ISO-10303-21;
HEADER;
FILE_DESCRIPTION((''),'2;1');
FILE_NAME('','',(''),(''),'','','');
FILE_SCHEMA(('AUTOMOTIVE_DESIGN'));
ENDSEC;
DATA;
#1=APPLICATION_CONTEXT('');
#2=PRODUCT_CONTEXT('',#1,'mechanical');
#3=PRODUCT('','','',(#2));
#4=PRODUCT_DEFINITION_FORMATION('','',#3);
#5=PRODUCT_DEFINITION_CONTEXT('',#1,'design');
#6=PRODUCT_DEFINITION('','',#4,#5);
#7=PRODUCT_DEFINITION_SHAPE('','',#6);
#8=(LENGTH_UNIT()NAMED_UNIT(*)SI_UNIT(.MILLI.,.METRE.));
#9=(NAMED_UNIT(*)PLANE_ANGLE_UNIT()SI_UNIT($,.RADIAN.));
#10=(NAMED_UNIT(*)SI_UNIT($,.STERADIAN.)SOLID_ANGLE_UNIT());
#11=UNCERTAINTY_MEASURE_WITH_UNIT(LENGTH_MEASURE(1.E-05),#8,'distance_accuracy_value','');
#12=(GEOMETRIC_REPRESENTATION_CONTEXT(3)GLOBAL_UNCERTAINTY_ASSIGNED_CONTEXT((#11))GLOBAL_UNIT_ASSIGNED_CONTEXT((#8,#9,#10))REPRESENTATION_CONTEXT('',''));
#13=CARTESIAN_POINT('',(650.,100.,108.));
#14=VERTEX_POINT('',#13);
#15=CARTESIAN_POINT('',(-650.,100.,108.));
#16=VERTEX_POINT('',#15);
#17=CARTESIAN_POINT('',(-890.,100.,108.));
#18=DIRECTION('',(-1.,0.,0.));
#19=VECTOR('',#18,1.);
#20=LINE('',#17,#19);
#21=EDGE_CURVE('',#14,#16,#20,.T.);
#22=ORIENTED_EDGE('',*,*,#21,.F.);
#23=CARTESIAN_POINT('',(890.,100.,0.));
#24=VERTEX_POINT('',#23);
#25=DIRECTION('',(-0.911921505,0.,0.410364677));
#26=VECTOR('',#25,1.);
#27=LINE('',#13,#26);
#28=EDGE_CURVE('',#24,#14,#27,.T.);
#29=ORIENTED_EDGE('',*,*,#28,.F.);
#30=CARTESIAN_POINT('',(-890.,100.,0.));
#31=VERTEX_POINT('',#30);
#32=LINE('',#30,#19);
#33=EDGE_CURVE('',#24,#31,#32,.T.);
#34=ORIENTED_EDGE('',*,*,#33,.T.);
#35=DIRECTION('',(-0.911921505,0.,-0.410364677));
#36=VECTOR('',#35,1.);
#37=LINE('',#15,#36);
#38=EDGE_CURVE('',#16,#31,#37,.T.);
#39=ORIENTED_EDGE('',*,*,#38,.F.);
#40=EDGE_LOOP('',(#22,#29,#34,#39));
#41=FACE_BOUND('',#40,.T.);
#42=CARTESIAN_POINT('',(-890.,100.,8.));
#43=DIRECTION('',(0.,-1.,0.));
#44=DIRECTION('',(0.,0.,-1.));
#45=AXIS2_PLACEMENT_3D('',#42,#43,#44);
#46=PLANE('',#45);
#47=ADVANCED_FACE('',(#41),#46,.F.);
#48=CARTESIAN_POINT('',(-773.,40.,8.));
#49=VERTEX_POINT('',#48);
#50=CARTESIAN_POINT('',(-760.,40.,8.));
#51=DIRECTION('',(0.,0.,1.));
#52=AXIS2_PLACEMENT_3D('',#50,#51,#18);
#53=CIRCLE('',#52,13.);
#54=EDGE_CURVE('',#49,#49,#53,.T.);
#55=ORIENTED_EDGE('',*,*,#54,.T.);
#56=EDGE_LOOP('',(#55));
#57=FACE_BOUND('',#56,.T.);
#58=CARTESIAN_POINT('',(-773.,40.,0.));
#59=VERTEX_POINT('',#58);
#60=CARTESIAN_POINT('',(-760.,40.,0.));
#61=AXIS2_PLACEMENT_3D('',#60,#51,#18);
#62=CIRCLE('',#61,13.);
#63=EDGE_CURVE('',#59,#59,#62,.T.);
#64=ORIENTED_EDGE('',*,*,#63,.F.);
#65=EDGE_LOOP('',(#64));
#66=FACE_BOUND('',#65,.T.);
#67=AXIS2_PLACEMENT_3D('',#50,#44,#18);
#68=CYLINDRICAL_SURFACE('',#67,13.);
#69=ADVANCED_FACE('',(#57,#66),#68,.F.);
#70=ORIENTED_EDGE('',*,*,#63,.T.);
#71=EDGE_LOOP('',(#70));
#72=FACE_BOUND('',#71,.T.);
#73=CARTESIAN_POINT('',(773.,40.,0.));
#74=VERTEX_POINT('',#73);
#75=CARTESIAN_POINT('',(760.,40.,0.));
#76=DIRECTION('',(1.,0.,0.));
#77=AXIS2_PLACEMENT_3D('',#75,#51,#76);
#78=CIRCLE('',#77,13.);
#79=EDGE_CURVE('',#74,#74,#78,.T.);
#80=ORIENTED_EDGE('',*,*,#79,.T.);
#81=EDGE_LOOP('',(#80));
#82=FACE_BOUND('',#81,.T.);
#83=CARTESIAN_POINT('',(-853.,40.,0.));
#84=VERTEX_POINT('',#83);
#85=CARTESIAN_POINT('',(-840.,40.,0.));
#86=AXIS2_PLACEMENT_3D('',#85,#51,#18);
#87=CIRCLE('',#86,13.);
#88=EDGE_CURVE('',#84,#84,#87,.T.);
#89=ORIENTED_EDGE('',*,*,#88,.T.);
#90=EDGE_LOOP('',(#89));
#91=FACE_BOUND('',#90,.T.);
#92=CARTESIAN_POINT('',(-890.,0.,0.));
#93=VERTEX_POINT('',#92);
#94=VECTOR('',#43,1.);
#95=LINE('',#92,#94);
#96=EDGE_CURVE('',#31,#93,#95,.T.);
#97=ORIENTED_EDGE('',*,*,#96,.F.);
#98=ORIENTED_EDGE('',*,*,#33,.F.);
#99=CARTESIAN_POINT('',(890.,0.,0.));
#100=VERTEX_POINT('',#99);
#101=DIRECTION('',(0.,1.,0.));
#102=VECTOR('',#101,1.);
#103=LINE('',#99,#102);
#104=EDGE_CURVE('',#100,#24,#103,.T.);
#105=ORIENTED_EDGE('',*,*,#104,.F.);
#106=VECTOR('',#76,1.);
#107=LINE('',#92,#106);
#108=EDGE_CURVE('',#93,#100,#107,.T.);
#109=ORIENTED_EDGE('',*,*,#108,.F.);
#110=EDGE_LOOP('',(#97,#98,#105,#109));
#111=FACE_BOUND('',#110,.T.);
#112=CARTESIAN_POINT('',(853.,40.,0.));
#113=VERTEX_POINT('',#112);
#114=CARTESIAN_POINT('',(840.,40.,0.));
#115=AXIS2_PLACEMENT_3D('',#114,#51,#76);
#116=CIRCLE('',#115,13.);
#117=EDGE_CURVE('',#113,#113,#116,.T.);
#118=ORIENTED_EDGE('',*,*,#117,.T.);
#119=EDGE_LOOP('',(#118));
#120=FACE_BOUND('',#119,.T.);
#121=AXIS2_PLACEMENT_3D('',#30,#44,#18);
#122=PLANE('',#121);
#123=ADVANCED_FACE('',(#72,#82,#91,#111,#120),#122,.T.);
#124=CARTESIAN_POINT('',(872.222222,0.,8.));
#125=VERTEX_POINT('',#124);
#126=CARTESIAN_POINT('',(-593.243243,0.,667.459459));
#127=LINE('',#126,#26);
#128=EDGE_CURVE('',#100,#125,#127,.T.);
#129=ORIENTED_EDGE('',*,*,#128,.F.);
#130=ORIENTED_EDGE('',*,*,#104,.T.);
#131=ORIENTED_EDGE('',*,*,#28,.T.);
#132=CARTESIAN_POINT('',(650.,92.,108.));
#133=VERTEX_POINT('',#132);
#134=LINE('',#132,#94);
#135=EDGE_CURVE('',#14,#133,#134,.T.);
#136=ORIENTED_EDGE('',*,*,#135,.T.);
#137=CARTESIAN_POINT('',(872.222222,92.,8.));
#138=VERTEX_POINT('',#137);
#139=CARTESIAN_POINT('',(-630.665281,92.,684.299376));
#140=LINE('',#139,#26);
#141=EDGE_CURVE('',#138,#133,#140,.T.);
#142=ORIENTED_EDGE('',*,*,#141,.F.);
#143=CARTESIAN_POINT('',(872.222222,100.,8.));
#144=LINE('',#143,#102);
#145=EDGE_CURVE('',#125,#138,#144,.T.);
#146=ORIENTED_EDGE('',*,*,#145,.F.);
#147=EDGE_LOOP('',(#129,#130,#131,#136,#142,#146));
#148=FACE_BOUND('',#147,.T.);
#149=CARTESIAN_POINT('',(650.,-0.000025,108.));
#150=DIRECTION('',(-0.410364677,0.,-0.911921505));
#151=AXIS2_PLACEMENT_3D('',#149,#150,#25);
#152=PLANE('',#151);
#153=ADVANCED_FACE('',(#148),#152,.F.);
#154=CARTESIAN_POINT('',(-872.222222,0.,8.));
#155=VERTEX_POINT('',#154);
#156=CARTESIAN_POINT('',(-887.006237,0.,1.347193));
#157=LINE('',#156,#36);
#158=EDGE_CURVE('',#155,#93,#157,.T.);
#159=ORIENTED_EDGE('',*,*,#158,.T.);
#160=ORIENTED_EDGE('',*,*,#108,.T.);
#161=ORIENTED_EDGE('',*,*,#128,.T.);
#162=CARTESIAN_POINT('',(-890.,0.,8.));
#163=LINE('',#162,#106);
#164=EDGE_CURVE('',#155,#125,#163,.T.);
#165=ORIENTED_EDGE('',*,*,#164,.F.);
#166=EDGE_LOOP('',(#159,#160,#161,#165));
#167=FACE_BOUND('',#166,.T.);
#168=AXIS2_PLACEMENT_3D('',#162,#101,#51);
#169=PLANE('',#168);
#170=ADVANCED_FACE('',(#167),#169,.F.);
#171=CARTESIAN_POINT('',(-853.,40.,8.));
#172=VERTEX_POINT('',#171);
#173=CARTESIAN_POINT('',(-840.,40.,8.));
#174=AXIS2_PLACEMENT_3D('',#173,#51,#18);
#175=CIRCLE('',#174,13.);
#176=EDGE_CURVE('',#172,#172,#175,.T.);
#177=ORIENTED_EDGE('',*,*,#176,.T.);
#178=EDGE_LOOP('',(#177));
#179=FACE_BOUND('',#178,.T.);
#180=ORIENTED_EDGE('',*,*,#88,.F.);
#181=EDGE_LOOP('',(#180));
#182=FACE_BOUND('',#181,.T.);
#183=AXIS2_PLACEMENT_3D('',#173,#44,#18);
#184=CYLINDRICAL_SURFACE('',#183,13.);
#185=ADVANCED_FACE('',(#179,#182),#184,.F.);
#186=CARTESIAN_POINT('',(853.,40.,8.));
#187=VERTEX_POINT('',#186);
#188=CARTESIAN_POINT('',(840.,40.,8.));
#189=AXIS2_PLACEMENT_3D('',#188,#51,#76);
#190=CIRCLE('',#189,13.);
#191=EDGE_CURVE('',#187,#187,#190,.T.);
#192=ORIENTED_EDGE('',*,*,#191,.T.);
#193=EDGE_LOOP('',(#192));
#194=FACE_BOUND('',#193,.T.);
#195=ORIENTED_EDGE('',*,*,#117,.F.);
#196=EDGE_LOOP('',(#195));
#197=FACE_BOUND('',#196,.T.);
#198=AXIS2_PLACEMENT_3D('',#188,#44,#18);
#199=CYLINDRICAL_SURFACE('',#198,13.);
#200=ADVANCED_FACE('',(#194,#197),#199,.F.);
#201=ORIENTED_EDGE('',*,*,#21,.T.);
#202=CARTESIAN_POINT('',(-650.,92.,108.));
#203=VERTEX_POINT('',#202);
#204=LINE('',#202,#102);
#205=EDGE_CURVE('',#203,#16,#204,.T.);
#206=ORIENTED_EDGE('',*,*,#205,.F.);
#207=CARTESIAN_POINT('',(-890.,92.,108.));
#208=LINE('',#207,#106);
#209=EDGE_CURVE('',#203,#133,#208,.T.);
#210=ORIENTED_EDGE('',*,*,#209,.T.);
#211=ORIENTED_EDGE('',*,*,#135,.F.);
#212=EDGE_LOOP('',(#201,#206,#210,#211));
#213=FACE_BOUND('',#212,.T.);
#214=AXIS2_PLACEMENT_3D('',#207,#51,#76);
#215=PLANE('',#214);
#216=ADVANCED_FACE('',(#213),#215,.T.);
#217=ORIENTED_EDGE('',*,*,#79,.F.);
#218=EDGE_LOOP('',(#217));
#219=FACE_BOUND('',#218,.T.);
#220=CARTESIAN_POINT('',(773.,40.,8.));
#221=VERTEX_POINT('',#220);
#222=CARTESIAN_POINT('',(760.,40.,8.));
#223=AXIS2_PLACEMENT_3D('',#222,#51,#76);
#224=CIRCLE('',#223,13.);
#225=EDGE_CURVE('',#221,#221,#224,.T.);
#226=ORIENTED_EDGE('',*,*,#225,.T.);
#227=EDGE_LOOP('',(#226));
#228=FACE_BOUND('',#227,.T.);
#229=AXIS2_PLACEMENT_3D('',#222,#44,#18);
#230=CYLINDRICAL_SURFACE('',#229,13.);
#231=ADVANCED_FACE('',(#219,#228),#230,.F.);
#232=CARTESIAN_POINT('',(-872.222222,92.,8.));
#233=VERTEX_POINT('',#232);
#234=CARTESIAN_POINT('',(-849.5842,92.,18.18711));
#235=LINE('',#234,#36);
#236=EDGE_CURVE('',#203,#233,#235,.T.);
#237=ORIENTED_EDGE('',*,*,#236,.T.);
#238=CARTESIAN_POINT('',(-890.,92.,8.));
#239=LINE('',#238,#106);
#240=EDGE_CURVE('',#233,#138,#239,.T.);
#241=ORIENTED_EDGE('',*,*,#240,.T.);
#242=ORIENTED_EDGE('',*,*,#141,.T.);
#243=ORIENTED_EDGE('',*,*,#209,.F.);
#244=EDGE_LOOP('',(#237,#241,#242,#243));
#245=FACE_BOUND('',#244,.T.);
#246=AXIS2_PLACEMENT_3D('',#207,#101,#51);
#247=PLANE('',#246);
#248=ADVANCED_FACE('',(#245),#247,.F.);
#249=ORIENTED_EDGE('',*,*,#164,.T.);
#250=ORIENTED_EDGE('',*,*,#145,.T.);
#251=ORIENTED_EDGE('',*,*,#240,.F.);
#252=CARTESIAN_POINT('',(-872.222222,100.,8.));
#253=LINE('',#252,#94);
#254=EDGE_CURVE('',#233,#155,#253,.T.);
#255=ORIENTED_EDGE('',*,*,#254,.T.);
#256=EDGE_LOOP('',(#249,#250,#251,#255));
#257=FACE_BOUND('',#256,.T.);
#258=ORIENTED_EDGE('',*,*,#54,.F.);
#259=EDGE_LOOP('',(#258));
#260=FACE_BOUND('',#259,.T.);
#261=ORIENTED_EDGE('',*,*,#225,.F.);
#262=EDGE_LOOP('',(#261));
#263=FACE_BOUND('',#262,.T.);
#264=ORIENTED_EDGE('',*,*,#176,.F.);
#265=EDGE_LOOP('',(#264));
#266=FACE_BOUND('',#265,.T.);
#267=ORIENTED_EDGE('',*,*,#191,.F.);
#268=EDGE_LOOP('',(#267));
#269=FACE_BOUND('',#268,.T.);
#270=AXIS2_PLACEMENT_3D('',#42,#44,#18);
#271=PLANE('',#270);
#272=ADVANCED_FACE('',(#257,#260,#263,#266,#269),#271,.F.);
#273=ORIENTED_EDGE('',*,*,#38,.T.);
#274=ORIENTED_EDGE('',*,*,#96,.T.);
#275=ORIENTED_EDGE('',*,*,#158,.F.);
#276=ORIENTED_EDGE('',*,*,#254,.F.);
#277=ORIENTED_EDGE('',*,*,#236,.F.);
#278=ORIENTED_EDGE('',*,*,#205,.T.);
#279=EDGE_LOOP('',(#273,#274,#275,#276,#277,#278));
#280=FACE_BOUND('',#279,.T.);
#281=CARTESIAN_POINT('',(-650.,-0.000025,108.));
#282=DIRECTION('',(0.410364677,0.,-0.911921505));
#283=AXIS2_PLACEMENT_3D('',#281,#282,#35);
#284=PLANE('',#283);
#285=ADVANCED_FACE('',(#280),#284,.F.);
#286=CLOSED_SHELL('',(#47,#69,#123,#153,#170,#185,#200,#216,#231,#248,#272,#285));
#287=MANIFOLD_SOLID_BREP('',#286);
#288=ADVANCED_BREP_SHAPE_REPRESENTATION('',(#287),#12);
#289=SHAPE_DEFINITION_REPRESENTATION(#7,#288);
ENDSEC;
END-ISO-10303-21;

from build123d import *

# Parameters (mm, degrees)
SKETCH_1_W          = 1780
SKETCH_1_H          = 100
SKETCH_1_R          = 13
EXTRUDE_573_DEPTH   = 8
SKETCH_2_W          = 1780
SKETCH_2_H          = 8
EXTRUDE_1_DEPTH     = 100
CUT_EXTRUDE_1_DEPTH = 903.088687436


with BuildPart() as part:
    # 草图1 → Extrude 573 (new body)
    with BuildSketch(Plane.XY):
        with Locations((0, 50)):
            Rectangle(SKETCH_1_W, SKETCH_1_H)
        with Locations((840, 40)):
            Circle(SKETCH_1_R, mode=Mode.SUBTRACT)
        with Locations((760, 40)):
            Circle(SKETCH_1_R, mode=Mode.SUBTRACT)
        with Locations(Location((-840, 40, 0), (0, 0, 180))):
            Circle(SKETCH_1_R, mode=Mode.SUBTRACT)
        with Locations(Location((-760, 40, 0), (0, 0, 180))):
            Circle(SKETCH_1_R, mode=Mode.SUBTRACT)
    extrude(amount=EXTRUDE_573_DEPTH)

    # 草图2 → 凸台-拉伸1 (add)
    with BuildSketch(Plane.XY.offset(8)):
        with Locations((0, 96)):
            Rectangle(SKETCH_2_W, SKETCH_2_H)
    extrude(amount=EXTRUDE_1_DEPTH)

    # 草图3 → 切除-拉伸1 (cut, through all)
    with BuildSketch(Plane(origin=(0, 100, 0), x_dir=(-1, 0, 0), z_dir=(0, 1, 0))):
        Polygon((-650, 108), (-890, 0), (-890, 108), align=None)
        Polygon((890, 108), (650, 108), (890, 0), align=None)
    extrude(amount=-CUT_EXTRUDE_1_DEPTH, mode=Mode.SUBTRACT)


solid = part.part
